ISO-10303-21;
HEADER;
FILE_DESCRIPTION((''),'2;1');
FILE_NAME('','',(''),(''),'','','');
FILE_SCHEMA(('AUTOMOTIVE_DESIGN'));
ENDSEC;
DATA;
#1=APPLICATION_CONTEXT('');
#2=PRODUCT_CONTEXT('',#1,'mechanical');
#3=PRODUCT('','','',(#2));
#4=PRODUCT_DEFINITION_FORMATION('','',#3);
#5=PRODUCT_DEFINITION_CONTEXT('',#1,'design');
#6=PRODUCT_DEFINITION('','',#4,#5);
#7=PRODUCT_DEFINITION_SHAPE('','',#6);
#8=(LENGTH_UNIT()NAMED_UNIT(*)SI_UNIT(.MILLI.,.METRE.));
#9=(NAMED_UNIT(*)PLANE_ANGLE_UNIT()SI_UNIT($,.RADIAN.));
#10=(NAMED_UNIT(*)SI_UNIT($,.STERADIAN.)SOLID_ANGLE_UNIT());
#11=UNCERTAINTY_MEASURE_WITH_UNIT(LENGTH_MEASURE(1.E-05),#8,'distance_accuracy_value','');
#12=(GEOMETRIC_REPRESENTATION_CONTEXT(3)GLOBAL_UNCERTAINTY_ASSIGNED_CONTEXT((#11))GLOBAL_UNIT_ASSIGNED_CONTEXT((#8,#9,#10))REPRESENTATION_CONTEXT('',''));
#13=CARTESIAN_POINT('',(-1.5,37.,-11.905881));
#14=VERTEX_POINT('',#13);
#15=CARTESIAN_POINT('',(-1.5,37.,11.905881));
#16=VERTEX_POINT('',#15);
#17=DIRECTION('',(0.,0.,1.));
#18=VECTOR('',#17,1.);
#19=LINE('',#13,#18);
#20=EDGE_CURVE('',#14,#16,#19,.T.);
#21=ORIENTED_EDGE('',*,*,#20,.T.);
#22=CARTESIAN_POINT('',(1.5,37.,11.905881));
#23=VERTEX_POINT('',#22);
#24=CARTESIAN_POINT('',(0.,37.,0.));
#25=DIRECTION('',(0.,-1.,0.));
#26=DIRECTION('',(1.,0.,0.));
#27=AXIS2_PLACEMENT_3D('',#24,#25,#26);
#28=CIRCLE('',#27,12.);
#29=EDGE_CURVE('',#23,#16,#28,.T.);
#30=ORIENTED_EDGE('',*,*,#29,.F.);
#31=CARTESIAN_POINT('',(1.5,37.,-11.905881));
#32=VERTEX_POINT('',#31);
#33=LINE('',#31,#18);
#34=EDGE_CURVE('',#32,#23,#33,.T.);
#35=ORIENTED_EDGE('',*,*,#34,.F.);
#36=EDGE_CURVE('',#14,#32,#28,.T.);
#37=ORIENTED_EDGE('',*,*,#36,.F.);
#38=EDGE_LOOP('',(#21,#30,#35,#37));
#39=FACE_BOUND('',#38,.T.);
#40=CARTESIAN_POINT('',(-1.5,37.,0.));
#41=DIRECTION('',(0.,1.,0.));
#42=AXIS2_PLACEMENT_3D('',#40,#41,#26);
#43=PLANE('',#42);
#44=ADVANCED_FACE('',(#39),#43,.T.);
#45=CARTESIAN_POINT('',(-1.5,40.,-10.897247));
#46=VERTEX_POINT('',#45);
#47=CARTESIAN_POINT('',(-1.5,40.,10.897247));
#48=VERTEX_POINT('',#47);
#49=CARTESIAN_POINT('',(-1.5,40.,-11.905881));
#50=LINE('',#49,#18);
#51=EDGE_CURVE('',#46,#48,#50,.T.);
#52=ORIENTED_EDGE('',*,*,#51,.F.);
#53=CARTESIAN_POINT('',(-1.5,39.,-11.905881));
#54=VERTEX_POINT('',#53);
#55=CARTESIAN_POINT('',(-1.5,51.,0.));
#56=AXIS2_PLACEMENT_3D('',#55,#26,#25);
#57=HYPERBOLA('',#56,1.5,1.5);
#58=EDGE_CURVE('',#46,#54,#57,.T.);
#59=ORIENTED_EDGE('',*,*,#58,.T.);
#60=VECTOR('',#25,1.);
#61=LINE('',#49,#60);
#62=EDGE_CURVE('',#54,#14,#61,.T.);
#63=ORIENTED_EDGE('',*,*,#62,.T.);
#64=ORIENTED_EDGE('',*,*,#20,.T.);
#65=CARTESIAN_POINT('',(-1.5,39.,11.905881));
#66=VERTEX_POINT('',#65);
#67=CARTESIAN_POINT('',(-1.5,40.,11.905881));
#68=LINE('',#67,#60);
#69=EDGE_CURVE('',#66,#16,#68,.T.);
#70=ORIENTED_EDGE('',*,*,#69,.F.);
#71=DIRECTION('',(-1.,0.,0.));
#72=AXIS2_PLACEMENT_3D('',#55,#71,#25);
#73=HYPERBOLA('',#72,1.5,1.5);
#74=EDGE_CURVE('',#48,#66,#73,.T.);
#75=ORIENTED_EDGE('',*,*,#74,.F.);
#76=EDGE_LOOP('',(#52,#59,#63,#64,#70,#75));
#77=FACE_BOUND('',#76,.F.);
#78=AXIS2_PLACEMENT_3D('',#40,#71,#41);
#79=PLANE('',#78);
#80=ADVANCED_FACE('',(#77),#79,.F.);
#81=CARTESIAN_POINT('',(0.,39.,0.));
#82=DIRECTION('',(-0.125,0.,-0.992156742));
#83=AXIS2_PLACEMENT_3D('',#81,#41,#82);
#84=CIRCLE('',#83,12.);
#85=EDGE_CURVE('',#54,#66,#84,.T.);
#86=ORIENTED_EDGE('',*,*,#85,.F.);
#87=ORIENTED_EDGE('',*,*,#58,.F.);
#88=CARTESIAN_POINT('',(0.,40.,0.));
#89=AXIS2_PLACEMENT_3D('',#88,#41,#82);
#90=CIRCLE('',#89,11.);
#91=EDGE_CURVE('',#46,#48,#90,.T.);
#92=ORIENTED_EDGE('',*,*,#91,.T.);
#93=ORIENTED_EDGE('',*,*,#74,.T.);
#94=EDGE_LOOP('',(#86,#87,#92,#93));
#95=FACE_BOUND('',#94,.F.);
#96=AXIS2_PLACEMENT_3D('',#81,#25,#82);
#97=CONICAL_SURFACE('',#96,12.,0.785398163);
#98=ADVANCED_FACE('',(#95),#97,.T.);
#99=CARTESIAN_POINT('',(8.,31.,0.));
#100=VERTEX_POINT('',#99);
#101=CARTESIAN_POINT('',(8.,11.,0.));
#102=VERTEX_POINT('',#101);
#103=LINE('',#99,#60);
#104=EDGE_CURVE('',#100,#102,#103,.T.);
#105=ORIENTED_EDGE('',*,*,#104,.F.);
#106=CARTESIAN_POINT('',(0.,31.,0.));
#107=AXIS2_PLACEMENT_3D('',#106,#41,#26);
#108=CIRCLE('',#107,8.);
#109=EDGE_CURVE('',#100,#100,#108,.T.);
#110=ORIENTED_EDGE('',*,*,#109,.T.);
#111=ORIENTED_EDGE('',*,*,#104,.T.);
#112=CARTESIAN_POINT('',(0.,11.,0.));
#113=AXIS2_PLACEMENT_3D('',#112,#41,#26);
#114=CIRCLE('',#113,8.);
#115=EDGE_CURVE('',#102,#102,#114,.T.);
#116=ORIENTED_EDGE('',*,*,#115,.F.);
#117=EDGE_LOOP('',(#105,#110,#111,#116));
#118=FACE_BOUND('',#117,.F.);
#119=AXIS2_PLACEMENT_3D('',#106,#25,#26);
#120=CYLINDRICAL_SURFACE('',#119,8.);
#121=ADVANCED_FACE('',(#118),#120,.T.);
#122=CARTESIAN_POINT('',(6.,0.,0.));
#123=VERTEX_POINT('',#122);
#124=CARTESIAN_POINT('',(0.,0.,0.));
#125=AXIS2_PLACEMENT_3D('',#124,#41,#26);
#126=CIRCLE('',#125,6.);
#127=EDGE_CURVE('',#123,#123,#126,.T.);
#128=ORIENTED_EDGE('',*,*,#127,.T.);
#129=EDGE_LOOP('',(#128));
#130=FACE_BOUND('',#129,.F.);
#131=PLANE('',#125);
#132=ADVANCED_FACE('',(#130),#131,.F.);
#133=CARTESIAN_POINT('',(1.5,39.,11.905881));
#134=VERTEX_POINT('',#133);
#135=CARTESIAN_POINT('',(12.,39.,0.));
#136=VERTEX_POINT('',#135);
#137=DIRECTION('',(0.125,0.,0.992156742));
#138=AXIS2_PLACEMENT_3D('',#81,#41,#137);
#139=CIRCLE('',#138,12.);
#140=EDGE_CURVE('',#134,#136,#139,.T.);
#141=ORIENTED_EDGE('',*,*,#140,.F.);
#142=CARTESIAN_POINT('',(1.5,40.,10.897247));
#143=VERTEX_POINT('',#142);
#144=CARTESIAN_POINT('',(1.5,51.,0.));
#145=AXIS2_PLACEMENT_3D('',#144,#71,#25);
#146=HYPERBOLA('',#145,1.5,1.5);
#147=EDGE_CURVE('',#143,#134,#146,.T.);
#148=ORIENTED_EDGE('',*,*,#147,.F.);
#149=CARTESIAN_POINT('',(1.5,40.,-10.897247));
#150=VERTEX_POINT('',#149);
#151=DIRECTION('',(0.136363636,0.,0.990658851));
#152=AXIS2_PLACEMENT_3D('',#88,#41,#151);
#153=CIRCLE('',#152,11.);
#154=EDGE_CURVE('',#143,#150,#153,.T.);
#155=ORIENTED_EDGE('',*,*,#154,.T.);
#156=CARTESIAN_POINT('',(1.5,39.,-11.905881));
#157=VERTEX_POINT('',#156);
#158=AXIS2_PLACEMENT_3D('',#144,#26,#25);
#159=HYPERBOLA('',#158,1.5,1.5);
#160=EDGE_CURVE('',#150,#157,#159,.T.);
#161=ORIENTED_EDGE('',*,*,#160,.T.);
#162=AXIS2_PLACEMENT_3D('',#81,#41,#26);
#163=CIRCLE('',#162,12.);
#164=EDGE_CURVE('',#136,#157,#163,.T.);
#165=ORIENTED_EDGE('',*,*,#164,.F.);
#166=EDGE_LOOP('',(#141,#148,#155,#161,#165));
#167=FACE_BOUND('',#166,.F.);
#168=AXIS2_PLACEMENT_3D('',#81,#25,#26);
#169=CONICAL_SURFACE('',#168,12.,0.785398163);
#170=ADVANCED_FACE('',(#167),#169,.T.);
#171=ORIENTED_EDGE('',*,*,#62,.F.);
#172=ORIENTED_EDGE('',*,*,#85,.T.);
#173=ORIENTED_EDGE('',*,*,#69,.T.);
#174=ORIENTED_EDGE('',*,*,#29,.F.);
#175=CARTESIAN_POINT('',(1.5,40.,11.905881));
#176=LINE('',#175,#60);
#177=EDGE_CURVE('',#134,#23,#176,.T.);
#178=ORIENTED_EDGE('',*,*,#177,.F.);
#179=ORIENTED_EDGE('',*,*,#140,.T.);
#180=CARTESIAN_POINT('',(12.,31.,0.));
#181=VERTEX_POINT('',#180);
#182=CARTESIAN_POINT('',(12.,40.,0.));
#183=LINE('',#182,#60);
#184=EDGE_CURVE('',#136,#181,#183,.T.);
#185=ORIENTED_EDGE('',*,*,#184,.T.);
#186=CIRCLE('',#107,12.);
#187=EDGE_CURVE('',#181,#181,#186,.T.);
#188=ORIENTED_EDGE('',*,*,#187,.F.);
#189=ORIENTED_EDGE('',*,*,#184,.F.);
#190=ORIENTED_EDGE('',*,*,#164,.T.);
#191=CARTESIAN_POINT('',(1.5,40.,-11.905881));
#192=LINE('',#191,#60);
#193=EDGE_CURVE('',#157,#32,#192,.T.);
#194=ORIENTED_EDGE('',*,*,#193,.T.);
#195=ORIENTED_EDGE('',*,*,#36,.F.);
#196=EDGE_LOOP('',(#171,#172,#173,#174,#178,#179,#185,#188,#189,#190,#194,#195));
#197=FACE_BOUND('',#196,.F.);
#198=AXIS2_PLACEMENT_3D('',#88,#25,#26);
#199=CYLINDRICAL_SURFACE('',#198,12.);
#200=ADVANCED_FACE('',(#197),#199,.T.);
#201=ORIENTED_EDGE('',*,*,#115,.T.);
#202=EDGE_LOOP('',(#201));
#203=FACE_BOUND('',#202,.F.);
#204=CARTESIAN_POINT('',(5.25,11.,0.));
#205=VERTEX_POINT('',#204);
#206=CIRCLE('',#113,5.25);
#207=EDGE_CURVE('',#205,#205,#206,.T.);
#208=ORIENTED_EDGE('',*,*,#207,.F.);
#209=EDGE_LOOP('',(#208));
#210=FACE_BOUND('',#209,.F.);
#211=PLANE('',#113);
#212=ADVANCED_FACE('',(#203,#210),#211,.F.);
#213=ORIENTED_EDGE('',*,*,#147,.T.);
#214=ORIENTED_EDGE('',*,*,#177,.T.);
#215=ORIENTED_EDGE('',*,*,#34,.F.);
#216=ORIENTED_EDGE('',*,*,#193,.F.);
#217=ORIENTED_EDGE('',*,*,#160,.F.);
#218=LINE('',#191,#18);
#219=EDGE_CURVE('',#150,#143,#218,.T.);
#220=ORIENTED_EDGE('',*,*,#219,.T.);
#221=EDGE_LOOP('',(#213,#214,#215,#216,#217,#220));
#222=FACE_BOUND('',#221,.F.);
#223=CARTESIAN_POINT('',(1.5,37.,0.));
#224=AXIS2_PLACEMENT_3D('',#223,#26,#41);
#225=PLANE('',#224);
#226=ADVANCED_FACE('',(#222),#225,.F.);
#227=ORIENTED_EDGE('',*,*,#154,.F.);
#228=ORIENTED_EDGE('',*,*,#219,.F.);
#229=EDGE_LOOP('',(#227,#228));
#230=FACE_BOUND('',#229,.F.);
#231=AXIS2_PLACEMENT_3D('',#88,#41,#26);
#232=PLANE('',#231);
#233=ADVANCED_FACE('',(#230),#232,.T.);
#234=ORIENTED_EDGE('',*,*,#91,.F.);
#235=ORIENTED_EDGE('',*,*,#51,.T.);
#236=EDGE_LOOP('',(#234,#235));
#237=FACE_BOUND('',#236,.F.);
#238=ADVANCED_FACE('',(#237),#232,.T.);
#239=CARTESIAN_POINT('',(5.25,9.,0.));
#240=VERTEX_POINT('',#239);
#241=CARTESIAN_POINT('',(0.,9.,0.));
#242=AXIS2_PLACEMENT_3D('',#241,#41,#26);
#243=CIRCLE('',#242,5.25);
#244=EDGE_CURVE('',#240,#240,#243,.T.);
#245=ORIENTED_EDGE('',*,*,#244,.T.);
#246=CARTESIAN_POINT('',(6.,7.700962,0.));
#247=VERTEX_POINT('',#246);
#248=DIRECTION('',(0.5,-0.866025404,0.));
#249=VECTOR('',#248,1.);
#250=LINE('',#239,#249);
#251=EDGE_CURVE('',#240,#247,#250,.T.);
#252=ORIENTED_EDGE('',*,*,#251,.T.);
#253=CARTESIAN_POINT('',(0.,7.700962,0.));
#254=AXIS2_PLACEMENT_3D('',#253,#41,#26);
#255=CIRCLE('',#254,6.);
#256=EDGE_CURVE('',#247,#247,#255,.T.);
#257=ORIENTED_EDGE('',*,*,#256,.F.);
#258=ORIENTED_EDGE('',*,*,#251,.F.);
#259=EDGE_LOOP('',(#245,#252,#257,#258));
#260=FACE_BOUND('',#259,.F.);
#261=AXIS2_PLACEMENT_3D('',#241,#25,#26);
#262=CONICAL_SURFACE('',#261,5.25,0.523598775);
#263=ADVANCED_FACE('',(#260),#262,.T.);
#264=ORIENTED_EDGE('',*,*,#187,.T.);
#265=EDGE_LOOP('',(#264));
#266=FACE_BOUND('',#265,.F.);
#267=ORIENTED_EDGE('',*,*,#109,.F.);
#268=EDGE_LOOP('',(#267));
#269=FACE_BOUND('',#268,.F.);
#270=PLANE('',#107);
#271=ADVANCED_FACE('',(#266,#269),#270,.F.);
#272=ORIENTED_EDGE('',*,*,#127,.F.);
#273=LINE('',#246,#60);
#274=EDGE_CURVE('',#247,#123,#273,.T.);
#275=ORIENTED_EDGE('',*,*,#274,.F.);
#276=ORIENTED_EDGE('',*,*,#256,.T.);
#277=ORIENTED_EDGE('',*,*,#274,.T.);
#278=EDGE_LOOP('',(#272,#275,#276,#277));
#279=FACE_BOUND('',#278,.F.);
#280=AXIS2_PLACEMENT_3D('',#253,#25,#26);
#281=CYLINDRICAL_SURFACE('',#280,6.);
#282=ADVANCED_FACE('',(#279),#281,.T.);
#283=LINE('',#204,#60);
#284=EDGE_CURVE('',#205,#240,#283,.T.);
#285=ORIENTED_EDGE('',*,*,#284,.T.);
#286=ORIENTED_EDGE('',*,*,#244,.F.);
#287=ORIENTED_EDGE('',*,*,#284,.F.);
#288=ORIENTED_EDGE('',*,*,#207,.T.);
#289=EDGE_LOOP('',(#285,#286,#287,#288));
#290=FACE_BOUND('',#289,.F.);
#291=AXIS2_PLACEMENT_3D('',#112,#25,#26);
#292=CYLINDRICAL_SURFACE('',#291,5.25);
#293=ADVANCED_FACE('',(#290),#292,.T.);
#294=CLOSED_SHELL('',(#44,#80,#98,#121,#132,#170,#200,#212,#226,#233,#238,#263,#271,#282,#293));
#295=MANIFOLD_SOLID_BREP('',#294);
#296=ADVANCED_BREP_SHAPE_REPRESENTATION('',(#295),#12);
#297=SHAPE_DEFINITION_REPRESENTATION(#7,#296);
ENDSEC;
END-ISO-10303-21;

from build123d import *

# Parameters (mm, degrees)
SKETCH2_W               = 3
SKETCH2_H               = 3
CUT_EXTRUDE1_DEPTH      = 13
CUT_EXTRUDE1_DEPTH_BACK = 13
CHAMFER1_SIZE           = 1


with BuildPart() as part:
    # Sketch1 → Revolve1 (revolve)
    with BuildSketch(Plane.XY):
        Polygon((0, 40), (12, 40), (12, 31), (8, 31), (8, 11), (5.25, 11), (5.25, 9), (6, 7.700961894), (6, 0), (0, 0), align=None)
    revolve(axis=Axis((0, 0, 0), (0, 1, 0)))

    # Sketch2 → Cut-Extrude1 (cut, two sides)
    with BuildSketch(Plane.XY) as cut_extrude1_sk:
        with Locations((0, 38.5)):
            Rectangle(SKETCH2_W, SKETCH2_H)
    extrude(amount=CUT_EXTRUDE1_DEPTH, mode=Mode.SUBTRACT)
    extrude(cut_extrude1_sk.sketch, amount=-CUT_EXTRUDE1_DEPTH_BACK, mode=Mode.SUBTRACT)

    # Chamfer1
    chamfer1_edges = [part.edges().sort_by_distance(p)[0] for p in [
        (9, 40, -7.937253933),
        (-12, 40, 0),
    ]]
    chamfer(chamfer1_edges, length=CHAMFER1_SIZE)


solid = part.part
